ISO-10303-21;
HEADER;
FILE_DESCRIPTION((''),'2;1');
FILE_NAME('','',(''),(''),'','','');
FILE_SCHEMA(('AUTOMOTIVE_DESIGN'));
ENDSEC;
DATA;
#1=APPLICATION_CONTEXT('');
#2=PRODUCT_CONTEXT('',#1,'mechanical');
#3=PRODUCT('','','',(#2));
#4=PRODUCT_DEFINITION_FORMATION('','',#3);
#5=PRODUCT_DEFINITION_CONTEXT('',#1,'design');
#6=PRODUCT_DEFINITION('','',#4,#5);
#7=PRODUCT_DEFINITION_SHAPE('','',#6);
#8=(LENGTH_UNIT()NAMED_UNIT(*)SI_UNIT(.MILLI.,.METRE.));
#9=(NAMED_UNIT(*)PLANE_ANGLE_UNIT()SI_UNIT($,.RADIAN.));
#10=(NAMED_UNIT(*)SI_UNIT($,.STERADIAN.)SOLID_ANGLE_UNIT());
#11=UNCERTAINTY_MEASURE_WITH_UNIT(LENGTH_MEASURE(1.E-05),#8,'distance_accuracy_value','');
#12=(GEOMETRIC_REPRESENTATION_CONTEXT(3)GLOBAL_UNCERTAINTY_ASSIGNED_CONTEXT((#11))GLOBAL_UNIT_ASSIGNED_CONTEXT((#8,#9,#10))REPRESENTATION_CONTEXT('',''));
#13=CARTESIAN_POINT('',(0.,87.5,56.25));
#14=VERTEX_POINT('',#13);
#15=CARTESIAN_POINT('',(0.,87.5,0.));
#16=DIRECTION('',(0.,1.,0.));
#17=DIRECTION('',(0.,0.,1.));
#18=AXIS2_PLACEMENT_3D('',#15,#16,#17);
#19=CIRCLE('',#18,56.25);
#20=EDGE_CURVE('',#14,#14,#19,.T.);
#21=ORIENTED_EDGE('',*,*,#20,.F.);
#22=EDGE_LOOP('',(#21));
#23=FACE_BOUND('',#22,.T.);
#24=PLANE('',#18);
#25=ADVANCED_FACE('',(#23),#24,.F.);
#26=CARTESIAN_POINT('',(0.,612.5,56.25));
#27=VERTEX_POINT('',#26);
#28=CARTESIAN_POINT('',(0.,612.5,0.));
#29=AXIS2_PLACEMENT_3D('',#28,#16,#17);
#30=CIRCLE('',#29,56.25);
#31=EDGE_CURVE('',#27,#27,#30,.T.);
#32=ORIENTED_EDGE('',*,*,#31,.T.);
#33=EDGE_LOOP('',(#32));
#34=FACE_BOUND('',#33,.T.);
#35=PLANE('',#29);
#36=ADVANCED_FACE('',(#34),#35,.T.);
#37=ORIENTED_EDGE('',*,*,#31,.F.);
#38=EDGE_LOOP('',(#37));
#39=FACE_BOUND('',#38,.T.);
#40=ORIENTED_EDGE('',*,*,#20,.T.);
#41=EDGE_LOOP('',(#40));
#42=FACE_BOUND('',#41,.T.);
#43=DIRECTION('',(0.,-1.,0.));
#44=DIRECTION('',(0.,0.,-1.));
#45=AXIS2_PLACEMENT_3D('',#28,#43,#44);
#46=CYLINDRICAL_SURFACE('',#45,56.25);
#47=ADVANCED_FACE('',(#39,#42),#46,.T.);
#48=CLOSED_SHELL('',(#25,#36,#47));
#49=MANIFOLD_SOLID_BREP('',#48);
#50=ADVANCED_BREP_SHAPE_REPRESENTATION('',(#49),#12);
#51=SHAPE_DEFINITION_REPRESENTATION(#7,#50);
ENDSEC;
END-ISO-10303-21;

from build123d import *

# Parameters (mm, degrees)
SKETCH1_R           = 7.5
BOSS_EXTRUDE1_DEPTH = 70
SCALE1_SCALE        = 10
SCALE2_SCALE        = 0.75


with BuildPart() as part:
    # Sketch1 → Boss-Extrude1 (new body)
    with BuildSketch(Plane(origin=(0, 0, 0), x_dir=(1, 0, 0), z_dir=(0, 1, 0))):
        Circle(SKETCH1_R)
    extrude(amount=BOSS_EXTRUDE1_DEPTH)


with BuildPart() as part_1:
    # Scale1: scaled about (0, 0, 0)
    add(part.part.scale(SCALE1_SCALE))


with BuildPart() as part_2:
    # Scale2: scaled about (0, 350, 0)
    add(part_1.part.scale(SCALE2_SCALE).moved(Location((0, 87.5, 0))))


solid = part_2.part
